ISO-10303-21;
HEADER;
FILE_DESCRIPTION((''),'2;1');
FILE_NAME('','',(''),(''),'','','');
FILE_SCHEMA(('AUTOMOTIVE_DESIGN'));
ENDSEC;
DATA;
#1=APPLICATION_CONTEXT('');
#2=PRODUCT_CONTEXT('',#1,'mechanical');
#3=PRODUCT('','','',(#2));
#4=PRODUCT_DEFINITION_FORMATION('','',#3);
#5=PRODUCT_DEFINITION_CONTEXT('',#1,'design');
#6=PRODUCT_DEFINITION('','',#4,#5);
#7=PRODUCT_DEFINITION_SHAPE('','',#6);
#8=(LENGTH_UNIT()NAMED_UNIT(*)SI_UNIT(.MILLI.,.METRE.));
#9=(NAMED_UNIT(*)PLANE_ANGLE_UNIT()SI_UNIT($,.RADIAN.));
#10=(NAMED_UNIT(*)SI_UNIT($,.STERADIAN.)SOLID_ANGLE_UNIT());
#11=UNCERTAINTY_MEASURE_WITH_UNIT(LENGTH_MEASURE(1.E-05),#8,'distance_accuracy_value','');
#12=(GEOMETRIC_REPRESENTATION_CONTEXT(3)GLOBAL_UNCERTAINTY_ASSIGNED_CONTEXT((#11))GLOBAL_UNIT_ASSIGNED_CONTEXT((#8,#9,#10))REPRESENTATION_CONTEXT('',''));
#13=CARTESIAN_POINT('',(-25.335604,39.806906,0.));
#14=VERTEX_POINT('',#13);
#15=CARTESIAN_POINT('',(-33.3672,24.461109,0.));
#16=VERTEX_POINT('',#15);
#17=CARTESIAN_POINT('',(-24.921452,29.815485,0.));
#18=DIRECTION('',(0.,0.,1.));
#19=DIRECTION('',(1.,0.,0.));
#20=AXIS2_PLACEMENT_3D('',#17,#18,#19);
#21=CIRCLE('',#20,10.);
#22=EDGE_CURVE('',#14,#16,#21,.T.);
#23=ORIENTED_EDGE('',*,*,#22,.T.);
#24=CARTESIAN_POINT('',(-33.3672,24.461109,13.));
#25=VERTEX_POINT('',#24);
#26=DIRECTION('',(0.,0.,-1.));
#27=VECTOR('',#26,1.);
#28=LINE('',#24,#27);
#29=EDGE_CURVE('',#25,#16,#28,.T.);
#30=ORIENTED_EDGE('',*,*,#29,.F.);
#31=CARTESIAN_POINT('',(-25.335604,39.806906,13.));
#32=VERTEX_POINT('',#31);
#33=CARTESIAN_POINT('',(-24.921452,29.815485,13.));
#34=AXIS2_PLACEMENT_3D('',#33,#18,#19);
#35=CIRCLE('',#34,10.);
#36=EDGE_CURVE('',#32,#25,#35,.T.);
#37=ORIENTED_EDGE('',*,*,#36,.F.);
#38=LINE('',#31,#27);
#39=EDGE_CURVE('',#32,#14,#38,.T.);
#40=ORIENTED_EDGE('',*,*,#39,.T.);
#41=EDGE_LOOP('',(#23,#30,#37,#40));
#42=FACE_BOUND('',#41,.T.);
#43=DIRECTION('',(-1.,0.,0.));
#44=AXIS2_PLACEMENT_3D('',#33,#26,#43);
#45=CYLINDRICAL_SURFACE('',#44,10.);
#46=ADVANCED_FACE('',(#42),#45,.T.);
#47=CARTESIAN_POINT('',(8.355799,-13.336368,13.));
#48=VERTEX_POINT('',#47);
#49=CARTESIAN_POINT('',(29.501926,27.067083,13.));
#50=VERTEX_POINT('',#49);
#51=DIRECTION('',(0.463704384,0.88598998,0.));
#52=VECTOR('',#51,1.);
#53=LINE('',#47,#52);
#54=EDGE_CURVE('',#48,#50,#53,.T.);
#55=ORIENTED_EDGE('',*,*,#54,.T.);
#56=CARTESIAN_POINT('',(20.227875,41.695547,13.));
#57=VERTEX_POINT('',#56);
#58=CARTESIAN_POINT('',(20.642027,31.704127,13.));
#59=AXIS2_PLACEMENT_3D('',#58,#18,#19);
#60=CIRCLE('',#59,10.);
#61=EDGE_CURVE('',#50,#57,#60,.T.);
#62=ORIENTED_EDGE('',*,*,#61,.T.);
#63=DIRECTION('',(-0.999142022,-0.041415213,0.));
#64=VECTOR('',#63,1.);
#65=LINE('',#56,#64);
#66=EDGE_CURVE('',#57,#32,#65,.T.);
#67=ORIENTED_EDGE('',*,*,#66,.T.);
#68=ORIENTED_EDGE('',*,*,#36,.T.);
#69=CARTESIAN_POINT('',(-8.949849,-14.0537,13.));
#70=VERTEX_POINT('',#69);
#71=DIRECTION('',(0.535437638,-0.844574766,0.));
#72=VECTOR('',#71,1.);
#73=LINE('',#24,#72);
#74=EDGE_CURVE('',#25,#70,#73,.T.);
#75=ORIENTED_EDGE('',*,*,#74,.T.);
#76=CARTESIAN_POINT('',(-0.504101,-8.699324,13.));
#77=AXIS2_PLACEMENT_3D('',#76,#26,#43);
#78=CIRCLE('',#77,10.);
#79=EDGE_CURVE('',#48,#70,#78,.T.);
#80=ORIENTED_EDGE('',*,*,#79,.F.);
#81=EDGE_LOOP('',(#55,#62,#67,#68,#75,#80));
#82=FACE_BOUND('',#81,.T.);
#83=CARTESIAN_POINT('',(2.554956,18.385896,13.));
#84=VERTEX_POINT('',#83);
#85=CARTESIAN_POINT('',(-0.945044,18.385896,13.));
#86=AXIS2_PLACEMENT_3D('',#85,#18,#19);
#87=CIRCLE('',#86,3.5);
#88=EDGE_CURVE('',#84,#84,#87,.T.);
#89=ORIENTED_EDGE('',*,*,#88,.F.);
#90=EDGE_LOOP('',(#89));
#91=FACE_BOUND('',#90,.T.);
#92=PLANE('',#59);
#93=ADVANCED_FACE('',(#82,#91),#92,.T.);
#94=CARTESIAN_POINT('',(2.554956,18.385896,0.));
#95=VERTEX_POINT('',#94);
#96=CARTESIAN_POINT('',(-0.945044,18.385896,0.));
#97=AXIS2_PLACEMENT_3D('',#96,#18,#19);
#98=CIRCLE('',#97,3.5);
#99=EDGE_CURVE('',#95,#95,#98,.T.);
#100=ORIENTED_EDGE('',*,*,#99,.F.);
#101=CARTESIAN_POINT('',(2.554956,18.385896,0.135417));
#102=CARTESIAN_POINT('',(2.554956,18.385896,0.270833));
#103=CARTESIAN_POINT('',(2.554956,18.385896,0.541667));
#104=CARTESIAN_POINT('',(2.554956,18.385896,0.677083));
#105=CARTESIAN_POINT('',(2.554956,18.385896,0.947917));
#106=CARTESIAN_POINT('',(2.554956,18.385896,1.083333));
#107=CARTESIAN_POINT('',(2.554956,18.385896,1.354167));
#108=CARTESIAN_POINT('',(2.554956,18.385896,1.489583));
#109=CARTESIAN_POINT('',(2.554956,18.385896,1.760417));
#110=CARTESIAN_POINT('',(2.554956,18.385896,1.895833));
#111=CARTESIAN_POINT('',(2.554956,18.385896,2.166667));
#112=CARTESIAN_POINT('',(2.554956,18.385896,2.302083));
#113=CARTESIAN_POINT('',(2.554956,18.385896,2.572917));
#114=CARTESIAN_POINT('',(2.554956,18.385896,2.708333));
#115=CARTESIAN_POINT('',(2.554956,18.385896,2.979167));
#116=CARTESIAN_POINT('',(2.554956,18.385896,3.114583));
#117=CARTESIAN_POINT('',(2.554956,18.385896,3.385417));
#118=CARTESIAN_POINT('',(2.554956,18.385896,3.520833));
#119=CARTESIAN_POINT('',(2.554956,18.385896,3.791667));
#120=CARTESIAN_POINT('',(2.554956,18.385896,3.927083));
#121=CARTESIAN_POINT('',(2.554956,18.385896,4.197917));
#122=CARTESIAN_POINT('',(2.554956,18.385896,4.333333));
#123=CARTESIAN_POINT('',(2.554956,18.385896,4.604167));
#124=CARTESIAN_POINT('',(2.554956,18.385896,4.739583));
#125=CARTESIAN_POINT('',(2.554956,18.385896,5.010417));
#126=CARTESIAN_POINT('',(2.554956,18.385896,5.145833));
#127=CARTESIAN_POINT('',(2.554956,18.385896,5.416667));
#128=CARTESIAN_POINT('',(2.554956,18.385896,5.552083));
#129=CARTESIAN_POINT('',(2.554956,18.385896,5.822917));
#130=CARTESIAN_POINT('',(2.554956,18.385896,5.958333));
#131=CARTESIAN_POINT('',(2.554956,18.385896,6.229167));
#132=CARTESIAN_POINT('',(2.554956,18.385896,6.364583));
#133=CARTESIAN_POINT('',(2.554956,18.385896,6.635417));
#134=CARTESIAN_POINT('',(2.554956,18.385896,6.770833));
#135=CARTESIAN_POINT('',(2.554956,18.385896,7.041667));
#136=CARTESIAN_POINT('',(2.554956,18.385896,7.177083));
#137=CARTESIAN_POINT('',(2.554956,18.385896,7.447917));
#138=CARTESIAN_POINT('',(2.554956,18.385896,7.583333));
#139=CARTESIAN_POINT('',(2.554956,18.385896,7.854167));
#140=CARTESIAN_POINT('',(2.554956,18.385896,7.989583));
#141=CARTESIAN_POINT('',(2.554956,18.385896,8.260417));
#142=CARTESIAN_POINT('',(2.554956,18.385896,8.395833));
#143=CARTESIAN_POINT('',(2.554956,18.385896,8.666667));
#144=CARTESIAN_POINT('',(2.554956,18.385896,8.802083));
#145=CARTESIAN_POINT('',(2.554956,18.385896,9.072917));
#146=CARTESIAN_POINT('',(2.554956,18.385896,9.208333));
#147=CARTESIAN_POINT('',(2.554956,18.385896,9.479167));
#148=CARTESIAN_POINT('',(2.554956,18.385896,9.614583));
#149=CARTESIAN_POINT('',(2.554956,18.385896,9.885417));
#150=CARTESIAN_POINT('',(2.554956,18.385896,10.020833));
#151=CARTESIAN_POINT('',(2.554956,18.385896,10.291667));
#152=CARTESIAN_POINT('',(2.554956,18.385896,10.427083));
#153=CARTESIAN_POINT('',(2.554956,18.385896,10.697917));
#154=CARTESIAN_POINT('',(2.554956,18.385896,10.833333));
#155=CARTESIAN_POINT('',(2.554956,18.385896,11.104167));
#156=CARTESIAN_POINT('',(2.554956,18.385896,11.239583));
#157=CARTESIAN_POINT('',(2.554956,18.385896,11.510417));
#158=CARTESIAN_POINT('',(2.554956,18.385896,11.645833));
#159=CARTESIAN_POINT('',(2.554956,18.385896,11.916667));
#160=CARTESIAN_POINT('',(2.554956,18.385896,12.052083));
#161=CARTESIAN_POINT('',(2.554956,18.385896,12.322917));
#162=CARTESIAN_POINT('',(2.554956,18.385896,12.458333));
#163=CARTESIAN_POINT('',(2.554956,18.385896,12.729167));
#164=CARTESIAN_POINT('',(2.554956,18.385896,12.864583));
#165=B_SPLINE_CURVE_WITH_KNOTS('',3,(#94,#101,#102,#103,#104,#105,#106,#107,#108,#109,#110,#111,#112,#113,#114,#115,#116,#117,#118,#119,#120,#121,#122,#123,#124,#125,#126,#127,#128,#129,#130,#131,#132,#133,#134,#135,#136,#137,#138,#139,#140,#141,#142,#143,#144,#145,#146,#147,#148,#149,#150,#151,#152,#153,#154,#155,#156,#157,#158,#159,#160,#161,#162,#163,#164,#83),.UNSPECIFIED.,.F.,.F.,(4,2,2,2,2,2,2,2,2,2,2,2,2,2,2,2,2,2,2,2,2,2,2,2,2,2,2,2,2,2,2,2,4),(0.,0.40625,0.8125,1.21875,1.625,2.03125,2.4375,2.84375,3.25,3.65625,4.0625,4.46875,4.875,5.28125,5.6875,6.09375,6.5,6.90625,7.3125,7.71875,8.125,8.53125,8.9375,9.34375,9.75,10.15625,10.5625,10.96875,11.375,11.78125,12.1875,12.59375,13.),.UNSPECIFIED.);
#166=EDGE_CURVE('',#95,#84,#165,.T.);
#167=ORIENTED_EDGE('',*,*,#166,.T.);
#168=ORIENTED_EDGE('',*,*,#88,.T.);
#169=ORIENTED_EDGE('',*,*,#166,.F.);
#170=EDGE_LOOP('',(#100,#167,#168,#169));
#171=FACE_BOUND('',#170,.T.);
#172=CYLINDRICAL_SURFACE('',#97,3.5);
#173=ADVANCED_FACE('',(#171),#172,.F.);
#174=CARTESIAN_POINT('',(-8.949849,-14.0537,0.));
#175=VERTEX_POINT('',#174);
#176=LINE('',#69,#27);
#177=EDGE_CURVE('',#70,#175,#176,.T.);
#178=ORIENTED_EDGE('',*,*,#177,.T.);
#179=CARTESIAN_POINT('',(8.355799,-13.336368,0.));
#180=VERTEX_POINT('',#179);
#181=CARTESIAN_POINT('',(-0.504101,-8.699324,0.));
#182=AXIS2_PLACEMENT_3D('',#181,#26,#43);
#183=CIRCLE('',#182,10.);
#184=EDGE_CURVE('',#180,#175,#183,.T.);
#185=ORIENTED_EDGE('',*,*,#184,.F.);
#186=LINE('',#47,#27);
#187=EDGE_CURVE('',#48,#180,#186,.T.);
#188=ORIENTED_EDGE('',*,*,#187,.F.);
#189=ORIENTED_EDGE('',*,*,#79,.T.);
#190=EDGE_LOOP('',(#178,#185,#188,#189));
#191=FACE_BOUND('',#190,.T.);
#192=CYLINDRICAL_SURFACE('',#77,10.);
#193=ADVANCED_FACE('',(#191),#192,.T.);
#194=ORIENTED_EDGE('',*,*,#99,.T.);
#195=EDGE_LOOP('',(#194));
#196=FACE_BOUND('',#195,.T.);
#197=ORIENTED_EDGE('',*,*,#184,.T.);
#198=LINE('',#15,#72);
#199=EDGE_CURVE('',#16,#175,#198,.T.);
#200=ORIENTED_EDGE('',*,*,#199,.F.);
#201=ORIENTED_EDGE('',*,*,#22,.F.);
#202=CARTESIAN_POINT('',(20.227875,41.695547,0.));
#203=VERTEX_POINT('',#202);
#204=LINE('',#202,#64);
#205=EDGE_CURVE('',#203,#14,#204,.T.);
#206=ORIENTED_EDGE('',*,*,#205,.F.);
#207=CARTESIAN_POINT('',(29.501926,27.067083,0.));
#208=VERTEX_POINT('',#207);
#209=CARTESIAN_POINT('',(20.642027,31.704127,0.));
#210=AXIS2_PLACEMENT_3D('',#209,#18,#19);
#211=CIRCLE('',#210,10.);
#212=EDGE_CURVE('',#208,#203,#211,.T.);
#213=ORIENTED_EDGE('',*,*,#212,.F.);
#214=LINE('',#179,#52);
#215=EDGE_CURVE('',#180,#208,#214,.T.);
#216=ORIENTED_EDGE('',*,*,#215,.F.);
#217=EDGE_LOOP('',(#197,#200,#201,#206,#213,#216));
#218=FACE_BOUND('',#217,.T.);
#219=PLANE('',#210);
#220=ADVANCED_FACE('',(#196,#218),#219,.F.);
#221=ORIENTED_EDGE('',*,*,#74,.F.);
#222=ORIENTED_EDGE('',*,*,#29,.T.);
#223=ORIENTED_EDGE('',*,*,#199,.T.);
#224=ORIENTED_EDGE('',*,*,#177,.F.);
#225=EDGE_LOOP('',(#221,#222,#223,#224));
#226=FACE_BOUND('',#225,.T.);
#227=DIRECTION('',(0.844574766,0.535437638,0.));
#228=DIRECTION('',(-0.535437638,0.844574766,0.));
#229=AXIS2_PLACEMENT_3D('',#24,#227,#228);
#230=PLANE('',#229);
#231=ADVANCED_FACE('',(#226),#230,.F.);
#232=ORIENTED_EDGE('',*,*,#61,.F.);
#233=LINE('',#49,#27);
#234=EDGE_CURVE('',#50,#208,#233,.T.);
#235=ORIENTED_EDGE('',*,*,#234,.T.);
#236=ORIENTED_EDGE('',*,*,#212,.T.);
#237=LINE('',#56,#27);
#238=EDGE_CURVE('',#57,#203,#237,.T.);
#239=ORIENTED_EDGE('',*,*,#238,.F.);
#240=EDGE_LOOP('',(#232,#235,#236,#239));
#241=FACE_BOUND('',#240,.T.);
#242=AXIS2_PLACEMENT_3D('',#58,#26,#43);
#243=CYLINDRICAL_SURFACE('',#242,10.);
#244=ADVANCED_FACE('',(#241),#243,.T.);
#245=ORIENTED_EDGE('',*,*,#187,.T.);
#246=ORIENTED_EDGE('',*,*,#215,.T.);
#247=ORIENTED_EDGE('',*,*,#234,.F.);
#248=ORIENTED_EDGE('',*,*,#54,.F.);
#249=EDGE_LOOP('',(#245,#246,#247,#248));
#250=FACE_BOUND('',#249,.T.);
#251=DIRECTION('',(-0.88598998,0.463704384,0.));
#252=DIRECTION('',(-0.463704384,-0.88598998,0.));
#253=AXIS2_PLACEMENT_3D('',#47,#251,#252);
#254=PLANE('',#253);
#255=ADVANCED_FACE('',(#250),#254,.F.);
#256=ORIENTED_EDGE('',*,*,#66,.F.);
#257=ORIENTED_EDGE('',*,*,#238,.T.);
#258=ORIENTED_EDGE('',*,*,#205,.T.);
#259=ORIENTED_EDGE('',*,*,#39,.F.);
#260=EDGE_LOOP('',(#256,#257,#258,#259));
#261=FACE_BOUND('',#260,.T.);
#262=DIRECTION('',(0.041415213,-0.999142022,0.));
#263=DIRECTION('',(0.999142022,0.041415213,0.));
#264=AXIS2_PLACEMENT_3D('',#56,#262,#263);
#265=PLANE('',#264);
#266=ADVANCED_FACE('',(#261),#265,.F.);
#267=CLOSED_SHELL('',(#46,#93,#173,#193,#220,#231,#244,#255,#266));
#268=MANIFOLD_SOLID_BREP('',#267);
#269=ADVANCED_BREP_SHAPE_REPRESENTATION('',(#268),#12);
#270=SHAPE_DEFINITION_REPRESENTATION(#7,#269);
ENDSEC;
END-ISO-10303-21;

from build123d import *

# Parameters (mm, degrees)
EXTRUDE_2_DEPTH     = 13
SKETCH_5_R          = 3.5
CUT_EXTRUDE_3_DEPTH = 13


with BuildPart() as part:
    # 草图1 → 凸台-拉伸2 (new body)
    with BuildSketch(Plane.XY):
        with BuildLine():
            Line((8.355798715, -13.336367576), (29.501926433, 27.06708322))
            ThreePointArc((29.501926433, 27.06708322), (29.0877743, 37.05850344), (20.227874503, 41.695547281))
            Line((20.227874503, 41.695547281), (-25.335604147, 39.806905679))
            ThreePointArc((-25.335604147, 39.806905679), (-33.78135181, 34.452529301), (-33.367199677, 24.461109081))
            Line((-33.367199677, 24.461109081), (-8.949848746, -14.053700113))
            ThreePointArc((-8.949848746, -14.053700113), (-0.089948949, -18.690743955), (8.355798715, -13.336367576))
        make_face()
    extrude(amount=EXTRUDE_2_DEPTH)

    # 草图5 → 切除-拉伸3 (cut)
    with BuildSketch(Plane.XY.offset(13)):
        with Locations((-0.945044174, 18.385896346)):
            Circle(SKETCH_5_R)
    extrude(amount=-CUT_EXTRUDE_3_DEPTH, mode=Mode.SUBTRACT)


solid = part.part
